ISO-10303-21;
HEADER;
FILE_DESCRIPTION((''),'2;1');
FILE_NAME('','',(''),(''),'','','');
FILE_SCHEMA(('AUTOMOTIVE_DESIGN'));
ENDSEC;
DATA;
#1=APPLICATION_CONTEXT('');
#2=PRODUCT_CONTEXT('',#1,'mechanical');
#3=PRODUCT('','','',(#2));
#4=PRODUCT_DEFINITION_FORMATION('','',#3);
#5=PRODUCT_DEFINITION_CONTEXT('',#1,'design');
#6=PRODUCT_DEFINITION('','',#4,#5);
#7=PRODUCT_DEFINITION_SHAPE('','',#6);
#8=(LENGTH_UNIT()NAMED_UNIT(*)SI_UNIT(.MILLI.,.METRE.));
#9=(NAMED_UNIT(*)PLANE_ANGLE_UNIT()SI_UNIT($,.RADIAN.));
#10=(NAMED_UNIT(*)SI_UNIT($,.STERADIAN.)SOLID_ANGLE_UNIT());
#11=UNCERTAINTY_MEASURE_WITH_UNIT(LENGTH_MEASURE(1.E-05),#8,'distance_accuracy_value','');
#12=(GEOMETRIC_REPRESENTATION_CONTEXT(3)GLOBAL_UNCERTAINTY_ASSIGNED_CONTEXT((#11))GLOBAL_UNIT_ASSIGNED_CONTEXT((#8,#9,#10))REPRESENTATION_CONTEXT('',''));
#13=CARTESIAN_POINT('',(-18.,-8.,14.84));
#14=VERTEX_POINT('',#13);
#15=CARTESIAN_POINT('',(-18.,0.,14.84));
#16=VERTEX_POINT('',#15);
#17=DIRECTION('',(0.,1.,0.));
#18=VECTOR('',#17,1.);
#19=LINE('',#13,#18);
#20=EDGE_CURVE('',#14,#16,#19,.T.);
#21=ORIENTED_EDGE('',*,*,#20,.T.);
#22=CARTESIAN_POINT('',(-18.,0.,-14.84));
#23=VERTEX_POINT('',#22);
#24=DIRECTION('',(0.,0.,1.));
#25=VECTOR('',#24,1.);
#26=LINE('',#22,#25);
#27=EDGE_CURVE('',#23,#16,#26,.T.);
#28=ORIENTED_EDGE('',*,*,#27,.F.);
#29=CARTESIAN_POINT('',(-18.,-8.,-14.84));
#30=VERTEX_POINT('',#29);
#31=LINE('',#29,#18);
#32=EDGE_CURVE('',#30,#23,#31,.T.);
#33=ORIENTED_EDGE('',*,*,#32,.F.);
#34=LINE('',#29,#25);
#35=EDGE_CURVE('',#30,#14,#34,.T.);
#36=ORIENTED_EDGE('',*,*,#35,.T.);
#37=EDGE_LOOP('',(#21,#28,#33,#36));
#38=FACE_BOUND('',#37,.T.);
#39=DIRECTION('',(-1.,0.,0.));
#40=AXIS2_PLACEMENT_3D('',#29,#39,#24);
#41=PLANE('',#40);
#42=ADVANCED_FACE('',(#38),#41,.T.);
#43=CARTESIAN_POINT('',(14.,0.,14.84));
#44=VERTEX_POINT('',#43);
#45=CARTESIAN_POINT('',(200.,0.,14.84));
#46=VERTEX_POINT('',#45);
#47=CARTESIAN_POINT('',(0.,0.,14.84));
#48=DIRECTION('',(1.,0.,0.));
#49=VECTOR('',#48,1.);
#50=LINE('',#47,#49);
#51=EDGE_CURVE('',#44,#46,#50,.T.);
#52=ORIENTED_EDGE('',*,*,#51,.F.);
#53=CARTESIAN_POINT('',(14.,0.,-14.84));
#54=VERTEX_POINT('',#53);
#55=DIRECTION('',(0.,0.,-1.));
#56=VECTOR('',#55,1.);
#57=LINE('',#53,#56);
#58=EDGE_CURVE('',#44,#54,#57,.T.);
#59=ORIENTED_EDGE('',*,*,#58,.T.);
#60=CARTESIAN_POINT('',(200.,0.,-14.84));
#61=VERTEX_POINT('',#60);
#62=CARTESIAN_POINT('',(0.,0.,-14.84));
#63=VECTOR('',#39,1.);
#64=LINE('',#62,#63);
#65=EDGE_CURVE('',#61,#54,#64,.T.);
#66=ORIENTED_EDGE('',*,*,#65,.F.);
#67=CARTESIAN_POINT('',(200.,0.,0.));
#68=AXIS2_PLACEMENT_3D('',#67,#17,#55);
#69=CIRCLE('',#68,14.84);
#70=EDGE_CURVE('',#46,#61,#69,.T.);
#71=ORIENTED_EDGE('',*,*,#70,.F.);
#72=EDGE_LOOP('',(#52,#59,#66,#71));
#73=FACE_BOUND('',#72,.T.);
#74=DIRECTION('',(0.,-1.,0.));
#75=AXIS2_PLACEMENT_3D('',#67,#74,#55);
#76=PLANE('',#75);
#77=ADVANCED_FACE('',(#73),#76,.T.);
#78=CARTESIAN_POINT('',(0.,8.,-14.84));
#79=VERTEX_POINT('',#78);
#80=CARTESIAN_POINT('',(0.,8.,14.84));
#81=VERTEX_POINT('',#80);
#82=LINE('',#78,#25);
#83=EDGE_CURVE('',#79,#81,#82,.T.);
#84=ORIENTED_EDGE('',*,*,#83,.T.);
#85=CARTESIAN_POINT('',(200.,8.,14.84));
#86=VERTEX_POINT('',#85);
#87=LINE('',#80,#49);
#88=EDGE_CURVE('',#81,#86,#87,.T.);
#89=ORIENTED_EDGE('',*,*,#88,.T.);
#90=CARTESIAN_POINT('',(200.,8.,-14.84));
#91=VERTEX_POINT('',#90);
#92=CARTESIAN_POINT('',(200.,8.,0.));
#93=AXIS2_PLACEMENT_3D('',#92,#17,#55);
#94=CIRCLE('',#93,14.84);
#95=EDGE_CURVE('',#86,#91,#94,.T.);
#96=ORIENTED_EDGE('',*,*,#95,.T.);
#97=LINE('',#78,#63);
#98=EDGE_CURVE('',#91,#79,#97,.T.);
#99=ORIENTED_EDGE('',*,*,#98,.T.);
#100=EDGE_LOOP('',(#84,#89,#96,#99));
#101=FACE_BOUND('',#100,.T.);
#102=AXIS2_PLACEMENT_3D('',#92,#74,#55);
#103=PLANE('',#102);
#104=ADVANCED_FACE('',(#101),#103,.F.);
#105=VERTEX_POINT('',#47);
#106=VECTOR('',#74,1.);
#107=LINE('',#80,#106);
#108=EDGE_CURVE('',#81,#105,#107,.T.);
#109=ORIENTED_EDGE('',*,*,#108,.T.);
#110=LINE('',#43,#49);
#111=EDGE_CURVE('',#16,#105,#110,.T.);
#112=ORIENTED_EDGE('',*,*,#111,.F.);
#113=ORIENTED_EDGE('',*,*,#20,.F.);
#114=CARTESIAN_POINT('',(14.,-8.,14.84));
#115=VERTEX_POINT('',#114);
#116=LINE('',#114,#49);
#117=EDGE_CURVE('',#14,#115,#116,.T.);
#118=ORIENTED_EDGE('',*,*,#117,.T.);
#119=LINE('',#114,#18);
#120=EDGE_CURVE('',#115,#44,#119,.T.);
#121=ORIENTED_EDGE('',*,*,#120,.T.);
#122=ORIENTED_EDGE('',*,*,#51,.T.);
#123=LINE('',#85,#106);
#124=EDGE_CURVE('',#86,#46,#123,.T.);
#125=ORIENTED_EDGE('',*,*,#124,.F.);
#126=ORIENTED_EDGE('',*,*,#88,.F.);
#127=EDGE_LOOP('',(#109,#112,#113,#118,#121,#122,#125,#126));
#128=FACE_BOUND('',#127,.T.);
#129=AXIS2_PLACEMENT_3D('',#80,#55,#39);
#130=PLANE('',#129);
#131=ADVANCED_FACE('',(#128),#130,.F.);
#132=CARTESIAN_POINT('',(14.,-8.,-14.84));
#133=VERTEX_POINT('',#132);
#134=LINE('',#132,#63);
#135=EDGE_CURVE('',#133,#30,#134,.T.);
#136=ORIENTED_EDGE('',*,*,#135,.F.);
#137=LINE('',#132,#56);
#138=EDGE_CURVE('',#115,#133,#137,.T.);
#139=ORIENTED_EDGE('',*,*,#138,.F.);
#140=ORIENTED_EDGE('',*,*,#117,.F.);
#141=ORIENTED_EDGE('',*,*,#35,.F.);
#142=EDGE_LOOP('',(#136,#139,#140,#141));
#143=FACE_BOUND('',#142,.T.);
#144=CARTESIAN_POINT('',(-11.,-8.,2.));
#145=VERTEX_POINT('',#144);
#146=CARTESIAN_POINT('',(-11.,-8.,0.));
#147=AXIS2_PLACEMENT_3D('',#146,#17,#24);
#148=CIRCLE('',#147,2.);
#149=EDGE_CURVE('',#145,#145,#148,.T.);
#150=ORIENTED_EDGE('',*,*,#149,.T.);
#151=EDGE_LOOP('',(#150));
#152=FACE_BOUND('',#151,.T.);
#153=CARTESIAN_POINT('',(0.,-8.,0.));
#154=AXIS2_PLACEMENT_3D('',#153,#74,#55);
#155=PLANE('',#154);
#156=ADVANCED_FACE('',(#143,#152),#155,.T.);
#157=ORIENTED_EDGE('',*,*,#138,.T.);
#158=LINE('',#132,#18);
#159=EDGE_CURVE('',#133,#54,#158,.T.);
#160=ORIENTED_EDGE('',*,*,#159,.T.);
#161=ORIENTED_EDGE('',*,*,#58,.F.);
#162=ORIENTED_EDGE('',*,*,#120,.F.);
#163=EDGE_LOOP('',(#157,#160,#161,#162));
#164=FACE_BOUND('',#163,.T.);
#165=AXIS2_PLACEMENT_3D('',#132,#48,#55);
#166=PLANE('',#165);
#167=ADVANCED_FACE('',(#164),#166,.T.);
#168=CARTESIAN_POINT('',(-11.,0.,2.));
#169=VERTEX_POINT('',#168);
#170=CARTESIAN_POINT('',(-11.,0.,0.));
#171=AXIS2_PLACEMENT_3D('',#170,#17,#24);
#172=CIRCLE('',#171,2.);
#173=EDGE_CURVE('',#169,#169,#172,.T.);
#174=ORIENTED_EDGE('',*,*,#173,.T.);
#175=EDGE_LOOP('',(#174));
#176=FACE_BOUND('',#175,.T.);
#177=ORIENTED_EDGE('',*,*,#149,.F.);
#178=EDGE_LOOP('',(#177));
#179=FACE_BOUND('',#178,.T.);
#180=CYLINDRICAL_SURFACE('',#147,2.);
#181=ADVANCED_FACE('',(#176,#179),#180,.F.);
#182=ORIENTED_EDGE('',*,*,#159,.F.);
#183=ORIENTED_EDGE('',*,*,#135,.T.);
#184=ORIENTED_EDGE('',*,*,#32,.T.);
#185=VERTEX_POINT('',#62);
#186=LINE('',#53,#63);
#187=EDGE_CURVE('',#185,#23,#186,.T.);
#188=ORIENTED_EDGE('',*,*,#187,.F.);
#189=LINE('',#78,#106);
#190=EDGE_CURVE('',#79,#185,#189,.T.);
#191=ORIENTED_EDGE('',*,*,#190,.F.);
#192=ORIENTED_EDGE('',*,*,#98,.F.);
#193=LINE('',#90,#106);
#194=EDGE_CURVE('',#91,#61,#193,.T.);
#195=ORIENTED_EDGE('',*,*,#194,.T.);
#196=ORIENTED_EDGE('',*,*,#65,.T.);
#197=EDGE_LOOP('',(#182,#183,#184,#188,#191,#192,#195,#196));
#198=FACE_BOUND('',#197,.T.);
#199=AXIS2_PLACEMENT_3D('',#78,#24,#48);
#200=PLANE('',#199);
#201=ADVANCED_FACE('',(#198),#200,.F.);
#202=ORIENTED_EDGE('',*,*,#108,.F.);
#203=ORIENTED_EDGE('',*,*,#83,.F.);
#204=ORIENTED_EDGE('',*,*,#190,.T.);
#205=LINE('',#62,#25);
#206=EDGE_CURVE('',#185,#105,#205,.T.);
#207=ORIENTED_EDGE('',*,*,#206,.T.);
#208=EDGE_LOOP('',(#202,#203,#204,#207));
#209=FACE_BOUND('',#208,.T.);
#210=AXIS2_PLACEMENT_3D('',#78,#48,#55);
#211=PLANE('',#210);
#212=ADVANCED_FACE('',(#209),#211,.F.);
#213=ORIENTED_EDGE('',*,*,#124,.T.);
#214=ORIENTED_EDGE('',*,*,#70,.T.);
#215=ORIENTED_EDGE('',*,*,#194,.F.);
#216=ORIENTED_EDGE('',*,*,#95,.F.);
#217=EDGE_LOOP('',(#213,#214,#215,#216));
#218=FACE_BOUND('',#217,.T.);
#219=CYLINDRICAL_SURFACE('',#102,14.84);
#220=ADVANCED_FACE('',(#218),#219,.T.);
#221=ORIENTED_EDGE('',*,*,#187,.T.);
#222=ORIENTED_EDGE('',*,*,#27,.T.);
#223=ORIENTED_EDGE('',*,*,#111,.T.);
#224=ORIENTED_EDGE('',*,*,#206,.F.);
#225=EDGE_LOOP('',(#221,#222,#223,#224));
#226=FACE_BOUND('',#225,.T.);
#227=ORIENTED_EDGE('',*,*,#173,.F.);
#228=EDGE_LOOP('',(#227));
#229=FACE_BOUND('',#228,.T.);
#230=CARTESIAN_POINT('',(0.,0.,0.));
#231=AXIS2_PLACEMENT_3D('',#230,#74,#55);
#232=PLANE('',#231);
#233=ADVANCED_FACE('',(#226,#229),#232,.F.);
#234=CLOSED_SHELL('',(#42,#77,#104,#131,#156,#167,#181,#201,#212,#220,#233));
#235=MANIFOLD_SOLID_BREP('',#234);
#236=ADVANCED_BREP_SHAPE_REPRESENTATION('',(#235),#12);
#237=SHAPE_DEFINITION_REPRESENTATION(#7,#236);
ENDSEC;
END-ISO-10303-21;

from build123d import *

# Parameters (mm, degrees)
BOSS_EXTRUDE1_DEPTH = 8
SKETCH2_W           = 32
SKETCH2_H           = 29.68
SKETCH2_R           = 2
BOSS_EXTRUDE2_DEPTH = 8


with BuildPart() as part:
    # Sketch1 → Boss-Extrude1 (new body)
    with BuildSketch(Plane(origin=(0, 0, 0), x_dir=(1, 0, 0), z_dir=(0, 1, 0))):
        with BuildLine():
            Line((0, 14.84), (200, 14.84))
            ThreePointArc((200, 14.84), (214.84, 0), (200, -14.84))
            Line((200, -14.84), (0, -14.84))
            Line((0, -14.84), (0, 14.84))
        make_face()
    extrude(amount=BOSS_EXTRUDE1_DEPTH)

    # Sketch2 → Boss-Extrude2 (add)
    with BuildSketch(Plane(origin=(0, 0, 0), x_dir=(1, 0, 0), z_dir=(0, 1, 0))):
        with Locations((-2, 0)):
            Rectangle(SKETCH2_W, SKETCH2_H)
        with Locations(Location((-11, 0, 0), (0, 0, 270))):
            Circle(SKETCH2_R, mode=Mode.SUBTRACT)
    extrude(amount=-BOSS_EXTRUDE2_DEPTH)


solid = part.part
